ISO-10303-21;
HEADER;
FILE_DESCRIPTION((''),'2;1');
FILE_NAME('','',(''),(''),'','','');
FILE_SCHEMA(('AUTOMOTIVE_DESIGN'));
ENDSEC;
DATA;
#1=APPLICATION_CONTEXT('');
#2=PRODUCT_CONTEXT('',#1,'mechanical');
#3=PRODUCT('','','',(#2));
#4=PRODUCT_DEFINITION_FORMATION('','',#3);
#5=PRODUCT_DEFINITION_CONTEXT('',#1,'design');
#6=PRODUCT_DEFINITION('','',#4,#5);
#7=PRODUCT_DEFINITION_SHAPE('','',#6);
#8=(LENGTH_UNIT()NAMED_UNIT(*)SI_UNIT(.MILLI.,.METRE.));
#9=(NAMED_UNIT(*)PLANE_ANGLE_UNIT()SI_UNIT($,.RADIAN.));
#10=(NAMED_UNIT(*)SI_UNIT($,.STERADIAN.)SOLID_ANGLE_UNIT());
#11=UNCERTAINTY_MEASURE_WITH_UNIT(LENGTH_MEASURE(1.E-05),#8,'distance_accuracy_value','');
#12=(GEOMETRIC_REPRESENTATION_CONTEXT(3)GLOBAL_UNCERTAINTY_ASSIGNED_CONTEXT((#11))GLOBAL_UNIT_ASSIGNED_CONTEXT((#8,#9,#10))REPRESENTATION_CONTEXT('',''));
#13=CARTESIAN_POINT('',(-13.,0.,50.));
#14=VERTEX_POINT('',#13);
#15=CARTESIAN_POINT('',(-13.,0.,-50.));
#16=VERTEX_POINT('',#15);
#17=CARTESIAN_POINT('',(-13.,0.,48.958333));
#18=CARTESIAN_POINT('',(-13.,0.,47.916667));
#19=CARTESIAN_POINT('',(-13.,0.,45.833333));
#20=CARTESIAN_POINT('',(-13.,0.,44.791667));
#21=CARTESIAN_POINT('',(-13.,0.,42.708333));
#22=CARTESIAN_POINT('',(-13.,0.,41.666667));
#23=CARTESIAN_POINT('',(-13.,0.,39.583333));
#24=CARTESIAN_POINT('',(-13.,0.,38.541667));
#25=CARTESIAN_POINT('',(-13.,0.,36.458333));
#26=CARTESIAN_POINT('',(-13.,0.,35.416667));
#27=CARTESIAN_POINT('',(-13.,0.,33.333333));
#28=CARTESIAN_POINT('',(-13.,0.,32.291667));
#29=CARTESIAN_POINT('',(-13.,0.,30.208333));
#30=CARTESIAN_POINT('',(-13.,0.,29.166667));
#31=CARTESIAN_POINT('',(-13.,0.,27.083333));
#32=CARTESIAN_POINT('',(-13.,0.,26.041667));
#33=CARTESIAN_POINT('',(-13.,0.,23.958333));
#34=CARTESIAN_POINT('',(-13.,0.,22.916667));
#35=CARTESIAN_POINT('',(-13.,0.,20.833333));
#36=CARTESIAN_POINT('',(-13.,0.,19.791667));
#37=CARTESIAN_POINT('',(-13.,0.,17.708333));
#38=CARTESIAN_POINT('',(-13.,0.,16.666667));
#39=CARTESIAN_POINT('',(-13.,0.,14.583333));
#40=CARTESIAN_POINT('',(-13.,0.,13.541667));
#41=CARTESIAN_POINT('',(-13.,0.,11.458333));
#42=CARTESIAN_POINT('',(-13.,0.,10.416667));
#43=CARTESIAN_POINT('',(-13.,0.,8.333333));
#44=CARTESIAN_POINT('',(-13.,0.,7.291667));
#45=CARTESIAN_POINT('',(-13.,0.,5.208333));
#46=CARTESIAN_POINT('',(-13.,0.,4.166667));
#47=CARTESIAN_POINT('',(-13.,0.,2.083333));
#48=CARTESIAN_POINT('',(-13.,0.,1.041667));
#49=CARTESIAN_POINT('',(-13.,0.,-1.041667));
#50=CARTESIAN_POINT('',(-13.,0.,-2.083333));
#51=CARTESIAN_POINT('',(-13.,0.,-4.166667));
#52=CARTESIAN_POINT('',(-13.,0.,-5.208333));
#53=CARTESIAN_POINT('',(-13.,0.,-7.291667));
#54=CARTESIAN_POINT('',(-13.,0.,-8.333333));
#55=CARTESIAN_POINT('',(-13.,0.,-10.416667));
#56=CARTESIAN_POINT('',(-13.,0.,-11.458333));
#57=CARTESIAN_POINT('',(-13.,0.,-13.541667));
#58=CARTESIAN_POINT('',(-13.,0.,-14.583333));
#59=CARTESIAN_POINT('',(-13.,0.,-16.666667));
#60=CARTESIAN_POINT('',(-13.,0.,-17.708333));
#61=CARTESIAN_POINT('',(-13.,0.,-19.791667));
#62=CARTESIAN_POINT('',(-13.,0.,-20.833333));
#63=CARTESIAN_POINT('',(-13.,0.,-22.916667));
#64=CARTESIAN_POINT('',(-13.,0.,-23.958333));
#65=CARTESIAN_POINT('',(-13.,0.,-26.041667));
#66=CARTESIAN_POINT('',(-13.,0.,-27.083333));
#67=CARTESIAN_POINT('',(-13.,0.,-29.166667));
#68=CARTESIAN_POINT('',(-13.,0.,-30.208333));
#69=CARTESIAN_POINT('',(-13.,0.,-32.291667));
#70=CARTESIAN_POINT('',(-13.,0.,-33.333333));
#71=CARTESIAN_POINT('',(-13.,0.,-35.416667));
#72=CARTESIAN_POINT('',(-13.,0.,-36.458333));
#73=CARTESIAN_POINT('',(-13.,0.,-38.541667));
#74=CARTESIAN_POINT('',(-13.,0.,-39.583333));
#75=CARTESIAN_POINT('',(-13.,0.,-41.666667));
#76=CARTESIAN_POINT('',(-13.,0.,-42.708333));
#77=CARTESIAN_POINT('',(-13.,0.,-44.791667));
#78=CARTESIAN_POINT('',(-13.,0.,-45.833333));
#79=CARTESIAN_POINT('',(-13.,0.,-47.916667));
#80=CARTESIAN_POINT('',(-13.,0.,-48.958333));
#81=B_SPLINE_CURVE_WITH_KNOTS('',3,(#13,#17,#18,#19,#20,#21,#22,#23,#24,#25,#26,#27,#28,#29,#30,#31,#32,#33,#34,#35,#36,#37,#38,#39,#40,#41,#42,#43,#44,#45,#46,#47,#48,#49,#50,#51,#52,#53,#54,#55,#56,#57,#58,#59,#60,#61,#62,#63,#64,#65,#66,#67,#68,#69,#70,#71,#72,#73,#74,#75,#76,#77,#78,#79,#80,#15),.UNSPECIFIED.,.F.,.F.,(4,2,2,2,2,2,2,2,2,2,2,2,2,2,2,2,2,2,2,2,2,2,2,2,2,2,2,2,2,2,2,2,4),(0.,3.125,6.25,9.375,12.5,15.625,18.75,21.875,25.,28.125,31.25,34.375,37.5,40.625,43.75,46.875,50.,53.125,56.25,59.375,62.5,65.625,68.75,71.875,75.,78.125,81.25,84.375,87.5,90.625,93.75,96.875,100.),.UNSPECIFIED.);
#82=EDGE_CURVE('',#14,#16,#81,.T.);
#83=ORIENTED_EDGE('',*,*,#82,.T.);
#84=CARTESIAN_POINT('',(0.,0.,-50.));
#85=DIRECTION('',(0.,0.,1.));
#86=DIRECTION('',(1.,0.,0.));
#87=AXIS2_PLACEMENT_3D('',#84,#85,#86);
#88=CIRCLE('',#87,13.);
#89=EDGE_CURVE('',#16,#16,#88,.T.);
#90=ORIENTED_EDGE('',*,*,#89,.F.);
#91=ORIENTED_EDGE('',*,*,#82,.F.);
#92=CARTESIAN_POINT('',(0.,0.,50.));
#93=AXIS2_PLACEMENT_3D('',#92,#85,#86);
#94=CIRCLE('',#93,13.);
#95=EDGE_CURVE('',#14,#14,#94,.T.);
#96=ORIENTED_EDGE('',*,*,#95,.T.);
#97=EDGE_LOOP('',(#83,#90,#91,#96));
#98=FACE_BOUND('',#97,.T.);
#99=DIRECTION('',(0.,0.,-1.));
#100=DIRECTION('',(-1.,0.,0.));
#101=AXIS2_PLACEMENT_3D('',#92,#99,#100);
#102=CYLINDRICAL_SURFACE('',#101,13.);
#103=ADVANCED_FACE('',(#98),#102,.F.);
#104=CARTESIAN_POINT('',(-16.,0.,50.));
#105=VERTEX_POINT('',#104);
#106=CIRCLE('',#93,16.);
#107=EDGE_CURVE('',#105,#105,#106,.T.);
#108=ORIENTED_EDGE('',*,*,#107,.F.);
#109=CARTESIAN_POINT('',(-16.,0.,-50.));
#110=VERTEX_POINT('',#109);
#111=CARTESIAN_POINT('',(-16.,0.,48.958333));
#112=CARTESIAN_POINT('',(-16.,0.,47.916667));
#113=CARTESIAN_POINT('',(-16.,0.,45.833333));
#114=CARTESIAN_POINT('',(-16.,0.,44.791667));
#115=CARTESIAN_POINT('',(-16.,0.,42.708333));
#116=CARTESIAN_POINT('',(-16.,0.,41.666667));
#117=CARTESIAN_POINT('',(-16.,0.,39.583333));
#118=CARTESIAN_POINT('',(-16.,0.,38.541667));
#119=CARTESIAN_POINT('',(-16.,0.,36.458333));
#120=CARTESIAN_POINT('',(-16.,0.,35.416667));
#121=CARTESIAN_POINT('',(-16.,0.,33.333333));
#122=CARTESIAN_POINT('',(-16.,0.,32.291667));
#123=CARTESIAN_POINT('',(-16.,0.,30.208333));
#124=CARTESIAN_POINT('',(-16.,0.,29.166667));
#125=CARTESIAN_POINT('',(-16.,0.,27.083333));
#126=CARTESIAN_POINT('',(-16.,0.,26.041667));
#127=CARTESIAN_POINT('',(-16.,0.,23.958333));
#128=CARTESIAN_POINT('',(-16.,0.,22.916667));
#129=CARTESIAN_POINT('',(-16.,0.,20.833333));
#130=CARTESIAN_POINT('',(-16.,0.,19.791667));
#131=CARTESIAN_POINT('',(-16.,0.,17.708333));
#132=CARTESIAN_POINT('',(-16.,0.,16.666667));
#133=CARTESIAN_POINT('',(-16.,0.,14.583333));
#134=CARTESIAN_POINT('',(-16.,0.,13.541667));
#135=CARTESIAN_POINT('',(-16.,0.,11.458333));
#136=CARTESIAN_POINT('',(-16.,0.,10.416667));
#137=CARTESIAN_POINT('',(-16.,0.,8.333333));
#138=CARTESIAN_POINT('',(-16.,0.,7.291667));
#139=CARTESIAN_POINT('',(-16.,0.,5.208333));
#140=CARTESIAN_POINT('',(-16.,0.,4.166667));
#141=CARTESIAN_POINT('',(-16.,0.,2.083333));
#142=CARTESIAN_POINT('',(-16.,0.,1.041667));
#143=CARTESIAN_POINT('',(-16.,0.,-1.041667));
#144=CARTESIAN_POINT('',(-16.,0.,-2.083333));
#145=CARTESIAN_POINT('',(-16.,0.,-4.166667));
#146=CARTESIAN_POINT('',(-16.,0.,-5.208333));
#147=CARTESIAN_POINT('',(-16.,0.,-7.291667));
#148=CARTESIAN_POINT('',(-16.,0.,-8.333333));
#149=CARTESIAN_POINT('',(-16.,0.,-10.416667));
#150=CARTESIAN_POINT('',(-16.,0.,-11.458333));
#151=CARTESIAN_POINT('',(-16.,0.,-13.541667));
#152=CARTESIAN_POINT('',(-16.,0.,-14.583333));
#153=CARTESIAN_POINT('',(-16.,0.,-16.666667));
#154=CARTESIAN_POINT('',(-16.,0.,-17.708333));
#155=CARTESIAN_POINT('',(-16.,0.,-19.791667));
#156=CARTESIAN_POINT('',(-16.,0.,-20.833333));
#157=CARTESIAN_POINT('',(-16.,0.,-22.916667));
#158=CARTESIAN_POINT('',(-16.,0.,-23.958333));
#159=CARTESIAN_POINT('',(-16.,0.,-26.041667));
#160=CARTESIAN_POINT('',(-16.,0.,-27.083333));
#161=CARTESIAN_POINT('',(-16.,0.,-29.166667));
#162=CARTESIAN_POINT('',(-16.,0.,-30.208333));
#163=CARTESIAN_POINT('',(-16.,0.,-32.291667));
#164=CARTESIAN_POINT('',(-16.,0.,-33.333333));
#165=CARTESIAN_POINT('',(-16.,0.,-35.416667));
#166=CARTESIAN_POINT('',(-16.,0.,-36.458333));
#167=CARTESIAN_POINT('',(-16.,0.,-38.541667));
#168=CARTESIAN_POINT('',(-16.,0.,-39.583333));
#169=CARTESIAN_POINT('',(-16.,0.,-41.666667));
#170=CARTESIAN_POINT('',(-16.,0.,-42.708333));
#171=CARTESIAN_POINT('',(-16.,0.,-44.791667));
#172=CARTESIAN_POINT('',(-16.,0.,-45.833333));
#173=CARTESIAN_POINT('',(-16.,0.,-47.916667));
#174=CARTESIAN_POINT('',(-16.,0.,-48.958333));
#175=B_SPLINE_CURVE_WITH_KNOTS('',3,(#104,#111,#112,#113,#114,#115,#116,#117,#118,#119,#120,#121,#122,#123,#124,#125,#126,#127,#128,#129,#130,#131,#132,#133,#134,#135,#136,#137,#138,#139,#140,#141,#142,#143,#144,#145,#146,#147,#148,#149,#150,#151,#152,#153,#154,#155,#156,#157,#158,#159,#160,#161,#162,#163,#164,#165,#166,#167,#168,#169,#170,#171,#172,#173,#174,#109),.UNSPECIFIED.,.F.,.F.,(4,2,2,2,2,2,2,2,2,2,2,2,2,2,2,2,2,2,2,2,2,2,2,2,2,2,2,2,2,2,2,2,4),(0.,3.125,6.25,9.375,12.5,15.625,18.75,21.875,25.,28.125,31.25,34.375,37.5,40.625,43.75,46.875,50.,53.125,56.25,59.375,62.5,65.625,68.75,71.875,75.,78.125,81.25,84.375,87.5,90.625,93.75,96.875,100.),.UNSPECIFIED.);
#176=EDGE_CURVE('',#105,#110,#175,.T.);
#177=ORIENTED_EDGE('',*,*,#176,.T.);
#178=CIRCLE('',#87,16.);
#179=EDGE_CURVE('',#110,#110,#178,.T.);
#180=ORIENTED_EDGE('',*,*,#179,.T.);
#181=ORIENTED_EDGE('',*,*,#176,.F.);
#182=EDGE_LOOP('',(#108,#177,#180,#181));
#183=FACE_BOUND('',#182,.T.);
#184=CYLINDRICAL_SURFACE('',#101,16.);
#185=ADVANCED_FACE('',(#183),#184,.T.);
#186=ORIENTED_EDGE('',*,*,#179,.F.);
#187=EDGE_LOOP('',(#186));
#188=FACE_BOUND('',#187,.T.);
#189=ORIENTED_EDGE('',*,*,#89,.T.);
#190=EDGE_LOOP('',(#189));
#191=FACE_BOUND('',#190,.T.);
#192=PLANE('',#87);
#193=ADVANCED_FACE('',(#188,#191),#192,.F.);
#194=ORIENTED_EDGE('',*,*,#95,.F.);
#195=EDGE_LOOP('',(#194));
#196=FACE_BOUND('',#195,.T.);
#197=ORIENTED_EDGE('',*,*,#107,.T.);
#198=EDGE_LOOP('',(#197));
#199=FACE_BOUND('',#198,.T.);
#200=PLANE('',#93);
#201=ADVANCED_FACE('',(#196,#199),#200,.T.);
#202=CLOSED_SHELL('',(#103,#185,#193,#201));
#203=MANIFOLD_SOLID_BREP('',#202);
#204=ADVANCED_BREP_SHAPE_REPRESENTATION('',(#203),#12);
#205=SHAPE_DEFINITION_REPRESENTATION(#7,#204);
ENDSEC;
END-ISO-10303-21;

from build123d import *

# Parameters (mm, degrees)
CROQUIS1_R     = 16
EXTRUIR1_DEPTH = 50
VACIADO1_T     = -3


with BuildPart() as part:
    # Croquis1 → Extruir1 (new, symmetric)
    with BuildSketch(Plane.XY):
        with Locations(Location((0, 0, 0), (0, 0, 180))):
            Circle(CROQUIS1_R)
    extrude(amount=EXTRUIR1_DEPTH, both=True)

    # Vaciado1
    vaciado1_openings = [part.faces().sort_by_distance(p)[0] for p in [
        (0, 0, 50),
        (0, 0, -50),
    ]]
    offset(amount=VACIADO1_T, openings=vaciado1_openings, kind=Kind.INTERSECTION)


solid = part.part
